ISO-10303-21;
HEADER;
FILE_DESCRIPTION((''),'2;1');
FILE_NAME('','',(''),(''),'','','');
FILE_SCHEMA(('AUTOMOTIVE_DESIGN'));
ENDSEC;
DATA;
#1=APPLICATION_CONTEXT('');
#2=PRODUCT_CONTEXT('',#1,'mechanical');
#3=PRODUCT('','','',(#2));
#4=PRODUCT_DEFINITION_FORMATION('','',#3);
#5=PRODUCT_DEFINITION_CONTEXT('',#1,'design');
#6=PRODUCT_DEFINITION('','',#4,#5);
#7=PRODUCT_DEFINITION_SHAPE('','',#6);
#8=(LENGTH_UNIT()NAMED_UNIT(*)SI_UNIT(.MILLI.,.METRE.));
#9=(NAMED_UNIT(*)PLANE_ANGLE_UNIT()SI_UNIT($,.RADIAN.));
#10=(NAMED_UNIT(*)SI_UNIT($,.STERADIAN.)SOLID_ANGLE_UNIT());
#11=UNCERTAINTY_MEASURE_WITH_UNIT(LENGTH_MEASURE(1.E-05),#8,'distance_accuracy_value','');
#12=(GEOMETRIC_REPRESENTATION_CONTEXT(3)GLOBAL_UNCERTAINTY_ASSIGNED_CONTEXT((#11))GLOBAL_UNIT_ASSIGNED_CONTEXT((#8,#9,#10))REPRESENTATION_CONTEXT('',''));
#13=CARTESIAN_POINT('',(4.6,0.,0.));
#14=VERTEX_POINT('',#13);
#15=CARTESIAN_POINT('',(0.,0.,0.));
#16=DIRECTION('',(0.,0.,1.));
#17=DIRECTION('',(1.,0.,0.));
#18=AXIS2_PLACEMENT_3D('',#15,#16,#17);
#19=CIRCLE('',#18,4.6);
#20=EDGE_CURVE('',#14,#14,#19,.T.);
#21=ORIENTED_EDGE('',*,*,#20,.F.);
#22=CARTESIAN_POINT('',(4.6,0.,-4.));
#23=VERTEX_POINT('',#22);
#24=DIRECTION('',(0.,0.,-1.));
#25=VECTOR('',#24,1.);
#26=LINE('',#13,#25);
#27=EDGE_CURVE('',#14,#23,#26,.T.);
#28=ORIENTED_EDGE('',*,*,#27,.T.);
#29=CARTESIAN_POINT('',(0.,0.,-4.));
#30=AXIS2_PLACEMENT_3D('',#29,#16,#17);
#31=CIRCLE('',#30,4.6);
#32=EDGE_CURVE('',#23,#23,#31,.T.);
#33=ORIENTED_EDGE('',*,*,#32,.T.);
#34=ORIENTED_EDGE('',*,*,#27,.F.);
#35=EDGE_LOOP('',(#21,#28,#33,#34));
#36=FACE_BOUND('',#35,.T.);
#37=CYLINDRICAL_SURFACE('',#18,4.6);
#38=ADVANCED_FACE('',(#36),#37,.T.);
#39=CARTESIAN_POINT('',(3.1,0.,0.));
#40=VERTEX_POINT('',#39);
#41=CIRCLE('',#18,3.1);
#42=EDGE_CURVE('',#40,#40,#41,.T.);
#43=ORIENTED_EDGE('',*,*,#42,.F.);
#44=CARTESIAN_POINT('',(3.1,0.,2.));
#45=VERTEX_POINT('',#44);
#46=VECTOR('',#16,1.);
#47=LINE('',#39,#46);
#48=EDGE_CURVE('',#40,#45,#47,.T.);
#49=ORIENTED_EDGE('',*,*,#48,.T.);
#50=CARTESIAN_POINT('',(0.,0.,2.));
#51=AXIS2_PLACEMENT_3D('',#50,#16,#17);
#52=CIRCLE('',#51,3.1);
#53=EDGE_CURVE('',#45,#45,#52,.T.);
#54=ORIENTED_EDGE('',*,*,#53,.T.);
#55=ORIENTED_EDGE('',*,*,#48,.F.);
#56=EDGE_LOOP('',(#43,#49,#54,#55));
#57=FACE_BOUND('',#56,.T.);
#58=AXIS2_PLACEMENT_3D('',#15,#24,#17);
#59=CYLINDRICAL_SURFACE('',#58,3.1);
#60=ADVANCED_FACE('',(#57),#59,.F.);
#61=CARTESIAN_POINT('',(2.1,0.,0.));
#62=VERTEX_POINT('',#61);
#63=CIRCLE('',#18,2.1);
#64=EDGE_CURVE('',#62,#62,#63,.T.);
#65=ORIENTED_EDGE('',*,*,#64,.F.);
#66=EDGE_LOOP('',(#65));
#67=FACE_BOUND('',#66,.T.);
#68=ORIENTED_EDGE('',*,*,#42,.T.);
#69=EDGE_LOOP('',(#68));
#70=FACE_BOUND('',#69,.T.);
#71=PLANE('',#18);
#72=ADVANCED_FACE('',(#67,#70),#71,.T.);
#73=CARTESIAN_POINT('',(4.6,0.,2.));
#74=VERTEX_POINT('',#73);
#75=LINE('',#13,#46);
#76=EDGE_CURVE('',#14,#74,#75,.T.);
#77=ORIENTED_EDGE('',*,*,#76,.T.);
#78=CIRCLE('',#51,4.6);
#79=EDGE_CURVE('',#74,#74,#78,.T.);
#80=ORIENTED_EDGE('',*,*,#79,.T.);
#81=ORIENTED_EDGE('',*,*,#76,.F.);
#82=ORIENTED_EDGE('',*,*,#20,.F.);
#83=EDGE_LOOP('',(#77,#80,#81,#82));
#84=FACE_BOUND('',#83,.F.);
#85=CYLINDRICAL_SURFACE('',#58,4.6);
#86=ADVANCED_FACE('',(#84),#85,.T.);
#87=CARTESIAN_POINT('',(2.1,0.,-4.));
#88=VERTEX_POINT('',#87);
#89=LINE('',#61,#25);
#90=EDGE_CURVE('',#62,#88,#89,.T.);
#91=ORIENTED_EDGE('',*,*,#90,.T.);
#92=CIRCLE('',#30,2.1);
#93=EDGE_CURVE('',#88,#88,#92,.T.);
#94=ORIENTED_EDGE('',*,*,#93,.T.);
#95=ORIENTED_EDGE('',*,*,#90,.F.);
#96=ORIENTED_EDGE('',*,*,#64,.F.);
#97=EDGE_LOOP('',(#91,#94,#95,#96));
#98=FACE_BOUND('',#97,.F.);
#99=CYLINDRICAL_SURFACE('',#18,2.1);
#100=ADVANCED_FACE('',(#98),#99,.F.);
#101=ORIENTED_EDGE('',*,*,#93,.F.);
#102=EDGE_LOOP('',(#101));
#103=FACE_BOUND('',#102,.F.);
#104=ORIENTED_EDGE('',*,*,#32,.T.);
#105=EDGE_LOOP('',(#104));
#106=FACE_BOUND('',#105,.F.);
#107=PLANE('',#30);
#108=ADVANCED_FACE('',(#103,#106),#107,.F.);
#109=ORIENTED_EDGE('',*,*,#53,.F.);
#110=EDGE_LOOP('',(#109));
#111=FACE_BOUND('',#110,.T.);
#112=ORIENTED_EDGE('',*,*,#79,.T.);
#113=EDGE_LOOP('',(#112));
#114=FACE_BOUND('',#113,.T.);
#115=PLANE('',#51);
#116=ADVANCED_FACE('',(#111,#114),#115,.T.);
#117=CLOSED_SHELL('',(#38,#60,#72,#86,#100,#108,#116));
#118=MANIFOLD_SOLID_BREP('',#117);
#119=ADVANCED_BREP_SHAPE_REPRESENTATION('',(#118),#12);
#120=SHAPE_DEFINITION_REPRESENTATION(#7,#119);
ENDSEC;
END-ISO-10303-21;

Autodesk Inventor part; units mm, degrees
ref_plane "YZ Plane" through (0, 0, 0) normal (1, 0, 0) x (0, 1, 0)
ref_plane "XZ Plane" through (0, 0, 0) normal (0, 1, 0) x (-1, 0, 0)
ref_plane "XY Plane" through (0, 0, 0) normal (0, 0, 1) x (1, 0, 0)
sketch "Skizze1" plane through (0, 0, 0) normal (0, 0, 1) x (1, 0, 0)
  circle A0 centre (0, 0) radius 3.1
  circle A1 centre (0, 0) radius 4.6
  circle A2 centre (0, 0) radius 2.1
  dimension "d0" = 6.2
  dimension "d1" = 1.5
  dimension "d2" = 4.2
extrude "Extrusion1" add sketch "Skizze1" against normal blind 4 contours A0 | A1
extrude "Extrusion2" add sketch "Skizze1" along normal blind 2 contours A1
properties part number "MagnetHolder"
